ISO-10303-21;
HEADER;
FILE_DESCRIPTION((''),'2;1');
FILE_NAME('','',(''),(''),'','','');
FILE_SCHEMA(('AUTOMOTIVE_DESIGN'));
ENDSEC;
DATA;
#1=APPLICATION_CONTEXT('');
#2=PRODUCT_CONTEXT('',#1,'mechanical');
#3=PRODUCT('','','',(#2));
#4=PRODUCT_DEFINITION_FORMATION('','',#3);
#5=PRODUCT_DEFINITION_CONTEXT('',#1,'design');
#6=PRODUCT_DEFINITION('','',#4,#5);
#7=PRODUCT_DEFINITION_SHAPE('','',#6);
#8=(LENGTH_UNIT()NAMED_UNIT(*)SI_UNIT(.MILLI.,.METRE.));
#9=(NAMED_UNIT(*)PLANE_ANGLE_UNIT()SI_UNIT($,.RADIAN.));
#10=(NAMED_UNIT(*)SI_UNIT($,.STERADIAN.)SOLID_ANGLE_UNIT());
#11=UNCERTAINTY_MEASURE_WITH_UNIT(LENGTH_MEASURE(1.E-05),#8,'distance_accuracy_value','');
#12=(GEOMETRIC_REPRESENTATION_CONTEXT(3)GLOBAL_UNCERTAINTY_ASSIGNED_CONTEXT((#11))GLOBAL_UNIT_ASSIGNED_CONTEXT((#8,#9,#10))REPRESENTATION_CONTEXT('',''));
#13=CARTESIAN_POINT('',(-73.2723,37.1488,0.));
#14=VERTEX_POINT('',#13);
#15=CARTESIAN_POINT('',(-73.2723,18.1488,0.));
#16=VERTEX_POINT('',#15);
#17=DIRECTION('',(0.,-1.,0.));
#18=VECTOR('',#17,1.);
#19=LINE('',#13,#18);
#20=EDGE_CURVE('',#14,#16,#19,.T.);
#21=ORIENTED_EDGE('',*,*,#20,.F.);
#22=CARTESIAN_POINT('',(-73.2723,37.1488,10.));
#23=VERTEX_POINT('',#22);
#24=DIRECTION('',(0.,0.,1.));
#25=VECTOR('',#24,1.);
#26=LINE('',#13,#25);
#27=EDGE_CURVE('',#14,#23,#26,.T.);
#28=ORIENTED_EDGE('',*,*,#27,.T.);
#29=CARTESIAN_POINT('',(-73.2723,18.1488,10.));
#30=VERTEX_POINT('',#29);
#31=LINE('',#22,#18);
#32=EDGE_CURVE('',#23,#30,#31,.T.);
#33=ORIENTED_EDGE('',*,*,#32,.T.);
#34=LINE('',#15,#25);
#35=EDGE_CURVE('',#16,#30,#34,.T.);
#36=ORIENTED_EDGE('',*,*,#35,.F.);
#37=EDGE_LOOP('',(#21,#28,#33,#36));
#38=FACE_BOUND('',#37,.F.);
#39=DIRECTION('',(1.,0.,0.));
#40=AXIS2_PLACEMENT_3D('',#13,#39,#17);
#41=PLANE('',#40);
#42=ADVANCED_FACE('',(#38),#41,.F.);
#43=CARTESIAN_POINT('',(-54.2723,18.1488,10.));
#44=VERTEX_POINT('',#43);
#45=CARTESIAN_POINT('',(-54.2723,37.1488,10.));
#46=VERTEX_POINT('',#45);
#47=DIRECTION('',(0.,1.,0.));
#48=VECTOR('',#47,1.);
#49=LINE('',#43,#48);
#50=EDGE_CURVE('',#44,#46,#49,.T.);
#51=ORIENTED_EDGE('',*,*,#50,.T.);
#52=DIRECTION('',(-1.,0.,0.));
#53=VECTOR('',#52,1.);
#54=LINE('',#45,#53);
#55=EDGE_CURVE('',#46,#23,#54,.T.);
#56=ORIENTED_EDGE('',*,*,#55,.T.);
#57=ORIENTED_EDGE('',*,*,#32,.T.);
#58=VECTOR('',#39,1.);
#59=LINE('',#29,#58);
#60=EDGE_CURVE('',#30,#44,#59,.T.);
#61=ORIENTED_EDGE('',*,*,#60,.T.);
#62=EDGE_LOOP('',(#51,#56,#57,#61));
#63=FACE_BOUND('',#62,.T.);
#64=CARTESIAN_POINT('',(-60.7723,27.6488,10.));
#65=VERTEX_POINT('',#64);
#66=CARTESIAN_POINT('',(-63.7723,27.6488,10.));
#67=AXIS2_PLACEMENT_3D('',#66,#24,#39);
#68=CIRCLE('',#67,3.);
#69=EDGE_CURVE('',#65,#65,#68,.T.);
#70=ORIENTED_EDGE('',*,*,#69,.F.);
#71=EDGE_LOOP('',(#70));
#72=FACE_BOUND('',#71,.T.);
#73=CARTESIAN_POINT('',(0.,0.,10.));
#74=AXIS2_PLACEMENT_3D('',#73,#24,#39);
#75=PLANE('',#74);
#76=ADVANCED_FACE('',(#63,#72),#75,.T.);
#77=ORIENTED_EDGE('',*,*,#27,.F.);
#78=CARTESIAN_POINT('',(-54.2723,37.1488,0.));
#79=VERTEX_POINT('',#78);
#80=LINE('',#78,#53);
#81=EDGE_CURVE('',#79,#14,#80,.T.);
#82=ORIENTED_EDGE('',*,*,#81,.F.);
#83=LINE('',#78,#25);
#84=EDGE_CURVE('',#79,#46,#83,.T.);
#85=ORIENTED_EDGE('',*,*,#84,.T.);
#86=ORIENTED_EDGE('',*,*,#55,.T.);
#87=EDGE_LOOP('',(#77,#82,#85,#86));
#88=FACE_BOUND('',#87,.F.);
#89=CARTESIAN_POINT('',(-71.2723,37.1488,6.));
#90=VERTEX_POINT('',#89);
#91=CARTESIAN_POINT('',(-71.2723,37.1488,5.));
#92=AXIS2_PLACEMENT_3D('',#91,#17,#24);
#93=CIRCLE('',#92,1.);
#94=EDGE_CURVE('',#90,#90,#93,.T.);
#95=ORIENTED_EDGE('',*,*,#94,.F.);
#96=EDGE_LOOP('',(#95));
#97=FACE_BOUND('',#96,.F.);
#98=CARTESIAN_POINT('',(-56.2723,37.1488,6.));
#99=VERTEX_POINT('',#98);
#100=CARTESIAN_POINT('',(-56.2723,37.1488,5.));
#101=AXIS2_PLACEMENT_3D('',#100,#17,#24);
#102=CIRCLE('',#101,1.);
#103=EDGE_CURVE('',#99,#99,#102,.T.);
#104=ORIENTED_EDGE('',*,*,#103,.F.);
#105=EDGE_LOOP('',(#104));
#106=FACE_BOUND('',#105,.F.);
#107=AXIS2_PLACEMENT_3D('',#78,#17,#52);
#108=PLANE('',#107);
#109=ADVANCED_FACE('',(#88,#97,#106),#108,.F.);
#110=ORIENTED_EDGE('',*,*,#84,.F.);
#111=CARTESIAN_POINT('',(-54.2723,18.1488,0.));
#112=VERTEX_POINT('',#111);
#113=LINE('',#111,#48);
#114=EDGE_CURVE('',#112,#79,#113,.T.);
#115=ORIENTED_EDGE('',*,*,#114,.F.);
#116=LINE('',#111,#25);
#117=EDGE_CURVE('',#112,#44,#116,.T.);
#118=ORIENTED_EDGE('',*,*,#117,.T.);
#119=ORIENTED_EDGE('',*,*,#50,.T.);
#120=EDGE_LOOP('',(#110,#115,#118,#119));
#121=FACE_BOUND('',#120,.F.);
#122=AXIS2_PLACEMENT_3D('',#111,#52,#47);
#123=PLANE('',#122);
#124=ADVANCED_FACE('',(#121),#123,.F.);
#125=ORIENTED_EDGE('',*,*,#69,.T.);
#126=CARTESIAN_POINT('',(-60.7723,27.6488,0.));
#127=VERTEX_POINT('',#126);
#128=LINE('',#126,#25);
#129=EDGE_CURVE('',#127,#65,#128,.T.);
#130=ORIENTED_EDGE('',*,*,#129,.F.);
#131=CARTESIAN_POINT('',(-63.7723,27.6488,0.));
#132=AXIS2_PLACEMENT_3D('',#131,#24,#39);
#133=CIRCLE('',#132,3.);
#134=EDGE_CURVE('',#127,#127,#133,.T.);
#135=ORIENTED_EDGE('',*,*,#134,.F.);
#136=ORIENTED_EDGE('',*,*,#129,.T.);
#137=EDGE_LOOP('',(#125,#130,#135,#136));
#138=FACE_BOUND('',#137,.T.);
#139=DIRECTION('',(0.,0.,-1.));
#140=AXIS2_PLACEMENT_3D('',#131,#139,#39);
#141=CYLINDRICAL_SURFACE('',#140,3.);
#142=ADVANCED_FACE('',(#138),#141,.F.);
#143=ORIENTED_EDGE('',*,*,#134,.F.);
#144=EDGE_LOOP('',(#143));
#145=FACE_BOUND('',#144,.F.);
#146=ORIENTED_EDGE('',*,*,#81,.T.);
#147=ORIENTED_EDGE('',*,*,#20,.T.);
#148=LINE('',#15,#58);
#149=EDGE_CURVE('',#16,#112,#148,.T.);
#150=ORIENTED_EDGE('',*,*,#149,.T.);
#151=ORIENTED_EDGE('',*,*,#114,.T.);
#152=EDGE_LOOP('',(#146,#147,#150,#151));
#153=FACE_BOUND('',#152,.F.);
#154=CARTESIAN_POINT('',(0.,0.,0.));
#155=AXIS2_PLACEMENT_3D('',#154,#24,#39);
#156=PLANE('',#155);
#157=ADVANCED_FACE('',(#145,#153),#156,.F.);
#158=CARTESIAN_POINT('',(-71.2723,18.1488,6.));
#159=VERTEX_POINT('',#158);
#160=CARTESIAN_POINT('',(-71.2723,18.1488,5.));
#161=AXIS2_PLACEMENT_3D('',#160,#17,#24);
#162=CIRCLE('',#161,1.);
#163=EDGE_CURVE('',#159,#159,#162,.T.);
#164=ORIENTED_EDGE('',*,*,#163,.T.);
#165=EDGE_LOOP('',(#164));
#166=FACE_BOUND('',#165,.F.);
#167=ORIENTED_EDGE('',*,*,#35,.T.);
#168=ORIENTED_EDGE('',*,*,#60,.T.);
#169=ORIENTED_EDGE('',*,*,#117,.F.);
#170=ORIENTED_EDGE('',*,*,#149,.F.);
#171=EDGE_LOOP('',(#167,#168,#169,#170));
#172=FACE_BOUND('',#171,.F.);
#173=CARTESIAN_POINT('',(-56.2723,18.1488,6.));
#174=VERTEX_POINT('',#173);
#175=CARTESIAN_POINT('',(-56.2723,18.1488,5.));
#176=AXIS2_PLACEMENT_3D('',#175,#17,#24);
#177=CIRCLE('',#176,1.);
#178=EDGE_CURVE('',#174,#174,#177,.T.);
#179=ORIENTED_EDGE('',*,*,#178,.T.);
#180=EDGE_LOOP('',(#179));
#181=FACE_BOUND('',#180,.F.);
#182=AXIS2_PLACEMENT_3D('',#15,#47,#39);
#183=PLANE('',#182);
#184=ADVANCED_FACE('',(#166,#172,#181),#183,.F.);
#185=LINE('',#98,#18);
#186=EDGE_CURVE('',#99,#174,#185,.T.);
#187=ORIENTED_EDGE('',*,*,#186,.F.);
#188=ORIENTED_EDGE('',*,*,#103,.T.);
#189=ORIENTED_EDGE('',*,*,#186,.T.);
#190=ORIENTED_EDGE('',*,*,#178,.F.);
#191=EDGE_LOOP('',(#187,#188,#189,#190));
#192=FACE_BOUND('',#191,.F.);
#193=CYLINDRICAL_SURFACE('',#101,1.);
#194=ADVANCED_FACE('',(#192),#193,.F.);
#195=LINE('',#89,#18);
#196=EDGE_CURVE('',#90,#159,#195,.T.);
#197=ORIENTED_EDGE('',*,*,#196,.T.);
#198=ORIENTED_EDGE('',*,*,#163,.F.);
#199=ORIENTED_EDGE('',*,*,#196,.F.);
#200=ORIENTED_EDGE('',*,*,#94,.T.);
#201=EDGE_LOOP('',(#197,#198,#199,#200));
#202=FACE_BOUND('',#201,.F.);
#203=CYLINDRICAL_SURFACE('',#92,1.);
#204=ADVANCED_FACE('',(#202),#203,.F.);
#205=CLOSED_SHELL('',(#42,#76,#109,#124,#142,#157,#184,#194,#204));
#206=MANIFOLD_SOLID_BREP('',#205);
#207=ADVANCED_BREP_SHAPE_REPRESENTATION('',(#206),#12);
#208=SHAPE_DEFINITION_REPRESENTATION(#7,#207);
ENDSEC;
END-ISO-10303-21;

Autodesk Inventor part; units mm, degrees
ref_plane "YZ Plane" through (0, 0, 0) normal (1, 0, 0) x (0, 1, 0)
ref_plane "XZ Plane" through (0, 0, 0) normal (0, 1, 0) x (-1, 0, 0)
sketch "Esquisse1" plane through (0, 0, 0) normal (0, 0, 1) x (1, 0, 0)
  line L0 (-73.2723, 18.1488) -> (-54.2723, 18.1488)
  line L1 (-54.2723, 18.1488) -> (-54.2723, 37.1488)
  line L2 (-54.2723, 37.1488) -> (-73.2723, 37.1488)
  line L3 (-73.2723, 37.1488) -> (-73.2723, 18.1488)
  circle A0 centre (-63.7723, 27.6488) radius 3
  point P0 (0, 0)
  dimension "d0" = 19
  dimension "d1" = 19
  dimension "d2" = 6
extrude "Extrusion1" add sketch "Esquisse1" along normal blind 10
sketch "Esquisse2" plane through (-73.2723, 37.1488, 0) normal (0, 1, 0) x (1, 0, 0)
  line L0 (0, 0) -> (0, -10) projected
  line L1 (19, 0) -> (19, -10) projected
  line L2 (19, -10) -> (0, -10) projected
  point P0 (73.2723, 0)
  point P1 (2, -5)
  point P2 (17, -5)
  dimension "d5" = 2
  dimension "d6" = 2
  dimension "d7" = 5
  dimension "d8" = 5
hole "Perçage1" at (-71.2723, 37.1488, 5) at (-56.2723, 37.1488, 5) direction (0, -1, 0) diameter 2 end through all
ref_plane "Plan de construction1" through (-63.7723, 27.6488, 10.9) normal (0, 0, 1) x (1, 0, 0)
properties part number "palier_roulement_bras"
